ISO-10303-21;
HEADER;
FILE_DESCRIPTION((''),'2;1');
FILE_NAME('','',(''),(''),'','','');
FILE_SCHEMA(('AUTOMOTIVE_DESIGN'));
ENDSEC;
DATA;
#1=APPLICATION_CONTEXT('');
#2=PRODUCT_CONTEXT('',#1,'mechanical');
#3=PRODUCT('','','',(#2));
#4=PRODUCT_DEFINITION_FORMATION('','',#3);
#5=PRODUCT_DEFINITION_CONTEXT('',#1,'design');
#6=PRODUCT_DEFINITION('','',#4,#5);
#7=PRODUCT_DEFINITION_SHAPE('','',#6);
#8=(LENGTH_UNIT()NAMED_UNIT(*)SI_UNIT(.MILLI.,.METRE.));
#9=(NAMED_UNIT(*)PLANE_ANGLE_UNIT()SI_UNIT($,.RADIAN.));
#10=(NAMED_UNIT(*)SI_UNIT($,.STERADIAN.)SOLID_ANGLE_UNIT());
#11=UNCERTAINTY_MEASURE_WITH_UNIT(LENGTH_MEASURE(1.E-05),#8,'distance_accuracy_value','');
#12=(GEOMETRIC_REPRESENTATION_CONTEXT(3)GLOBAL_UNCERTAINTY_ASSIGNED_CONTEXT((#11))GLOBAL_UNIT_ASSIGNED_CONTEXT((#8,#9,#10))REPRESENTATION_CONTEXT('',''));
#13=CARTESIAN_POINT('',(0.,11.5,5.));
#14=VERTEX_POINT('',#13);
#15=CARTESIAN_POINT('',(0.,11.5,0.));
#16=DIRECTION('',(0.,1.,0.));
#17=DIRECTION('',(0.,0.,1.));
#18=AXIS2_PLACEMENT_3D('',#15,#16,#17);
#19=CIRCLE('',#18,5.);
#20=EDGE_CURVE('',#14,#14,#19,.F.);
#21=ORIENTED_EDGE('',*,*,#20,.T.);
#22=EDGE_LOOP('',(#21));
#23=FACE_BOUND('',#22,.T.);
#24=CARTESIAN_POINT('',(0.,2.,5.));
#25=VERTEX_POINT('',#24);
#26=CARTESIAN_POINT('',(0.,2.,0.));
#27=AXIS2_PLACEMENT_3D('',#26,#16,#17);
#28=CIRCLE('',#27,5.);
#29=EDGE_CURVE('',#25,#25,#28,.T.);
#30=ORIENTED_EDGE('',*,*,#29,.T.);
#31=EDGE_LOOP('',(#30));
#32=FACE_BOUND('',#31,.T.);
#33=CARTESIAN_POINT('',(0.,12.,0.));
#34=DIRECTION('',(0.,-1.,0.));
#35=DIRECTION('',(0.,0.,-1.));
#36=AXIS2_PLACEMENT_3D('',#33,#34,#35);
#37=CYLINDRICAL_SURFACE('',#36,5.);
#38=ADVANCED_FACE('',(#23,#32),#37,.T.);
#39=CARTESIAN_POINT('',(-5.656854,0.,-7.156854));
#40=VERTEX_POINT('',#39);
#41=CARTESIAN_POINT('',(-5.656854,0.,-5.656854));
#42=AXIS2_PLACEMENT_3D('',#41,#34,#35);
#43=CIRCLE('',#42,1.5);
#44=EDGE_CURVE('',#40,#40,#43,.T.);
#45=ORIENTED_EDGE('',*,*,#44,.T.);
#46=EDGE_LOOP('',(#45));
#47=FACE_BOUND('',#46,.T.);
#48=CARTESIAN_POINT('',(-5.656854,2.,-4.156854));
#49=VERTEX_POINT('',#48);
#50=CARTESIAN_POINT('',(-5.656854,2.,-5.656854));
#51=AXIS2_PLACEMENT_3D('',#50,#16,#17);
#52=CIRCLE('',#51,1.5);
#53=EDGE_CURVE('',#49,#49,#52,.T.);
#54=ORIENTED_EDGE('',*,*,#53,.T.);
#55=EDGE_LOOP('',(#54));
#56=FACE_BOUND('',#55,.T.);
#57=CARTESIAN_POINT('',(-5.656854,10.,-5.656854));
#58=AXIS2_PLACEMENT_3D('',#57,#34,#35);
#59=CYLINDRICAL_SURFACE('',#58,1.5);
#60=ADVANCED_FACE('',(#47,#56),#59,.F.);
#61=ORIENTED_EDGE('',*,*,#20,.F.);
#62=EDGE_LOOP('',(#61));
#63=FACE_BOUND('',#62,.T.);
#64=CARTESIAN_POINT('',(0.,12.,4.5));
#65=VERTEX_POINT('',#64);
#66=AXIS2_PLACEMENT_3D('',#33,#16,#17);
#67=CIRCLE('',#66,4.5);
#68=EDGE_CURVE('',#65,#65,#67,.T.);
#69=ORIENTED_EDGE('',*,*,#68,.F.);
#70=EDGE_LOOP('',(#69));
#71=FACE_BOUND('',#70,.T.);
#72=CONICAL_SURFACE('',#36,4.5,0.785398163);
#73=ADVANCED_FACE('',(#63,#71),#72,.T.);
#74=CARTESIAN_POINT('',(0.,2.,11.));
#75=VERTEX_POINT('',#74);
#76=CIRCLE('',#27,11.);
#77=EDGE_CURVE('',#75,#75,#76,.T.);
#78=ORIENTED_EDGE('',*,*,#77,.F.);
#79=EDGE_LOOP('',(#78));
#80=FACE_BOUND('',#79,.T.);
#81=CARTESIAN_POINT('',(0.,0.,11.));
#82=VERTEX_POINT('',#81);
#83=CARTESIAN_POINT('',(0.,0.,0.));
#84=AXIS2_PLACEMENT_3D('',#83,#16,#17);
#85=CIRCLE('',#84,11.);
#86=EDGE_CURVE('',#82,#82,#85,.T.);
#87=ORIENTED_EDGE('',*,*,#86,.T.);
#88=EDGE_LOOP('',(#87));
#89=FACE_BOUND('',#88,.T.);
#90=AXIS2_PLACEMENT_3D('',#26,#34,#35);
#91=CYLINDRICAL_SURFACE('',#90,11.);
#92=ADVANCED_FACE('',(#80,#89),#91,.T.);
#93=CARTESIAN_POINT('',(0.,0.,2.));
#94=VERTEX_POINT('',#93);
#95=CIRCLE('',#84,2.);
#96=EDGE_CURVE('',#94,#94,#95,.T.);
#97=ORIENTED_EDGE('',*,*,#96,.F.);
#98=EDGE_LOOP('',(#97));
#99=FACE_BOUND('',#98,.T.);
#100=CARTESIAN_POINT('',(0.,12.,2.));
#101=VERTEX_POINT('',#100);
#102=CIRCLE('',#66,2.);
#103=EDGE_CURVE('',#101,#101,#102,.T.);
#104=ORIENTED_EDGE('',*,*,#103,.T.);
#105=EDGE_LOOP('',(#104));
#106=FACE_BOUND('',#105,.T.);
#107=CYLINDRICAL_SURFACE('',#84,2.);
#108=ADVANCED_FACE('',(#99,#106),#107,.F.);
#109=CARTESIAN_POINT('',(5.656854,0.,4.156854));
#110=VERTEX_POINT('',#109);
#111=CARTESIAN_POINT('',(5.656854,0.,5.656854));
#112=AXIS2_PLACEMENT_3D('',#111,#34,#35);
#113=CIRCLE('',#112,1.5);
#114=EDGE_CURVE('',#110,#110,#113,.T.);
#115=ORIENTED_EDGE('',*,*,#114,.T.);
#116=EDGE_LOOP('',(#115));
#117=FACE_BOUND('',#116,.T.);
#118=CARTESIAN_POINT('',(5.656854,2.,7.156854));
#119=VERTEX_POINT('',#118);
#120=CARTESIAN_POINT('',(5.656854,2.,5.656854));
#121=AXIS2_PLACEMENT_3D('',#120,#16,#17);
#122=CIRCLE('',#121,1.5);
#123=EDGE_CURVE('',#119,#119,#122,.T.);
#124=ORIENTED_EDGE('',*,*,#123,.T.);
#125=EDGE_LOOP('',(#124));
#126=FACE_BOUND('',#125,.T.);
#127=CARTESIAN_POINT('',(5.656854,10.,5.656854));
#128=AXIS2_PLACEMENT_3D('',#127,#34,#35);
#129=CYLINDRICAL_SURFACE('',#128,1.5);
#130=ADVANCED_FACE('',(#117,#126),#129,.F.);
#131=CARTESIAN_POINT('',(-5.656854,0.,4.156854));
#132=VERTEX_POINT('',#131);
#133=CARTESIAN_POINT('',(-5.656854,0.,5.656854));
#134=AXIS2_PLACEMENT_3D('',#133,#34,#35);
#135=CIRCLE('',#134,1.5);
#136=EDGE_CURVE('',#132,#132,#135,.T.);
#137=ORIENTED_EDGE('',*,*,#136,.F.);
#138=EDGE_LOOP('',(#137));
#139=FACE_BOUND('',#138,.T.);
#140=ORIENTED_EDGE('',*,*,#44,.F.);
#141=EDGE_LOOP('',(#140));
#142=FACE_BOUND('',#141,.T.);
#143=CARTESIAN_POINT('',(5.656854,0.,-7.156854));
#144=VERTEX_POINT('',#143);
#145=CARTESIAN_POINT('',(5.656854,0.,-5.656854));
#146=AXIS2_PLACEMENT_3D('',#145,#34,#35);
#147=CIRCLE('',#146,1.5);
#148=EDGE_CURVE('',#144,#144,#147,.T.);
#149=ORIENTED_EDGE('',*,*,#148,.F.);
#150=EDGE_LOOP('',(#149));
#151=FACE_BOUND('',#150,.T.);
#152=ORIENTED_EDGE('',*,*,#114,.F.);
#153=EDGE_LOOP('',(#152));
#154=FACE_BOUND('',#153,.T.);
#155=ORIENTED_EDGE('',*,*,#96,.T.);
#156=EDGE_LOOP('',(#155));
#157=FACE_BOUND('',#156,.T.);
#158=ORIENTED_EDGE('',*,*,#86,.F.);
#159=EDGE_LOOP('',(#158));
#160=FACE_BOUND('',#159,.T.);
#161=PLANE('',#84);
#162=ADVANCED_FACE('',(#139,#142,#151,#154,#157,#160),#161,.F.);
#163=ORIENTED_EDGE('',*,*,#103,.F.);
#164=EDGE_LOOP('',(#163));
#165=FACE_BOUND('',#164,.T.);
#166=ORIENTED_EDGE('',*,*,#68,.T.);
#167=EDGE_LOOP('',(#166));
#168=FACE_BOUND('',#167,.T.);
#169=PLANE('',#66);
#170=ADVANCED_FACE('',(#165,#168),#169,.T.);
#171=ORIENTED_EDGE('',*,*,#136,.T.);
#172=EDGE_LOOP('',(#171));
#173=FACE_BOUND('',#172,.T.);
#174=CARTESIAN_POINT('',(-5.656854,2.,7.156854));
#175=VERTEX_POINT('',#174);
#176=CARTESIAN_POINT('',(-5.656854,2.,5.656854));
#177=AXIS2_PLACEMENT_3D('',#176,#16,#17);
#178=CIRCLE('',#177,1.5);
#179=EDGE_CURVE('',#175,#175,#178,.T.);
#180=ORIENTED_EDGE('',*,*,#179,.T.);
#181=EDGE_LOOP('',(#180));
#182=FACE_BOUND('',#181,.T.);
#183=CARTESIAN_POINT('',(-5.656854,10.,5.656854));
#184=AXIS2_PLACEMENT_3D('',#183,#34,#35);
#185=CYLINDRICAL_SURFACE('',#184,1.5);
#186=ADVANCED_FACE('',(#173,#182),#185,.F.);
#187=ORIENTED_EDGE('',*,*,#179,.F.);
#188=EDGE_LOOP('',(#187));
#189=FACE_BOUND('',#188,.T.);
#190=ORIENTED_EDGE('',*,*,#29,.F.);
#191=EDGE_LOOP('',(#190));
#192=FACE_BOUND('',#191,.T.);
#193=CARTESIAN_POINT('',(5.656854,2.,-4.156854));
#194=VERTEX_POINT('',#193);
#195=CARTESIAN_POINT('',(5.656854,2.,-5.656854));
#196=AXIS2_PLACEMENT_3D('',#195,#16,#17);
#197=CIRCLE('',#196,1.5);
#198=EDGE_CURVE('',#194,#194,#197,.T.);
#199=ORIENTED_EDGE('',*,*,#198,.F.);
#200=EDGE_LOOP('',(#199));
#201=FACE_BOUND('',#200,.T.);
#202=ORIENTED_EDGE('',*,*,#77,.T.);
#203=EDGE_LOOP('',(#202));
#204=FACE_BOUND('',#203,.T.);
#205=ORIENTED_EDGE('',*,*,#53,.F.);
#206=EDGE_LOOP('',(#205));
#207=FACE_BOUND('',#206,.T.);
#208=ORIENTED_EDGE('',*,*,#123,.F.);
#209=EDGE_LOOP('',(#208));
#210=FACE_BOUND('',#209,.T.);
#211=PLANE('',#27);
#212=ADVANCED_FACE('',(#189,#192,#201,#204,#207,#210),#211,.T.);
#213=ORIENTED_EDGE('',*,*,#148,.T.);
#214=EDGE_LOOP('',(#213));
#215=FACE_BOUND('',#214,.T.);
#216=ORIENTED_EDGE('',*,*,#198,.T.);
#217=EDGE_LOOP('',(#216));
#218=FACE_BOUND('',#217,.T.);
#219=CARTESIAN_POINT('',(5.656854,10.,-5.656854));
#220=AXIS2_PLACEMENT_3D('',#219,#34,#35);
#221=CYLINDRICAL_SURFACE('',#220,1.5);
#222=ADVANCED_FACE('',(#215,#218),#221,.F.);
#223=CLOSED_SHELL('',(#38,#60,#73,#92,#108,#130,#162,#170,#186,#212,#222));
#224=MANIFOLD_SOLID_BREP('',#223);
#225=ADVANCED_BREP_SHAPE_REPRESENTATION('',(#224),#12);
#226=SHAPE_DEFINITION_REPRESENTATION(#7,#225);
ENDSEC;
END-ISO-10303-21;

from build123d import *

# Parameters (mm, degrees)
SKETCH1_R           = 11
BOSS_EXTRUDE1_DEPTH = 2
SKETCH2_R           = 5
BOSS_EXTRUDE2_DEPTH = 10
SKETCH3_R           = 2
CUT_EXTRUDE1_DEPTH  = 13
CHAMFER1_SIZE       = 0.5
SKETCH4_R           = 1.5
CUT_EXTRUDE2_DEPTH  = 10


with BuildPart() as part:
    # Sketch1 → Boss-Extrude1 (new body)
    with BuildSketch(Plane(origin=(0, 0, 0), x_dir=(1, 0, 0), z_dir=(0, 1, 0))):
        Circle(SKETCH1_R)
    extrude(amount=BOSS_EXTRUDE1_DEPTH)

    # Sketch2 → Boss-Extrude2 (add)
    with BuildSketch(Plane(origin=(0, 2, 0), x_dir=(1, 0, 0), z_dir=(0, 1, 0))):
        Circle(SKETCH2_R)
    extrude(amount=BOSS_EXTRUDE2_DEPTH)

    # Sketch3 → Cut-Extrude1 (cut, through all)
    with BuildSketch(Plane(origin=(0, 12, 0), x_dir=(1, 0, 0), z_dir=(0, 1, 0))):
        Circle(SKETCH3_R)
    extrude(amount=-CUT_EXTRUDE1_DEPTH, mode=Mode.SUBTRACT)

    # Chamfer1
    chamfer1_edges = [part.edges().sort_by_distance(p)[0] for p in [
        (-5, 12, 0),
    ]]
    chamfer(chamfer1_edges, length=CHAMFER1_SIZE)

    # Sketch4 → Cut-Extrude2 (cut)
    with BuildSketch(Plane.XZ):
        with Locations((-5.656854249, 5.656854249)):
            Circle(SKETCH4_R)
        with Locations((5.656854249, 5.656854249)):
            Circle(SKETCH4_R)
        with Locations((5.656854249, -5.656854249)):
            Circle(SKETCH4_R)
        with Locations((-5.656854249, -5.656854249)):
            Circle(SKETCH4_R)
    extrude(amount=-CUT_EXTRUDE2_DEPTH, mode=Mode.SUBTRACT)


solid = part.part
